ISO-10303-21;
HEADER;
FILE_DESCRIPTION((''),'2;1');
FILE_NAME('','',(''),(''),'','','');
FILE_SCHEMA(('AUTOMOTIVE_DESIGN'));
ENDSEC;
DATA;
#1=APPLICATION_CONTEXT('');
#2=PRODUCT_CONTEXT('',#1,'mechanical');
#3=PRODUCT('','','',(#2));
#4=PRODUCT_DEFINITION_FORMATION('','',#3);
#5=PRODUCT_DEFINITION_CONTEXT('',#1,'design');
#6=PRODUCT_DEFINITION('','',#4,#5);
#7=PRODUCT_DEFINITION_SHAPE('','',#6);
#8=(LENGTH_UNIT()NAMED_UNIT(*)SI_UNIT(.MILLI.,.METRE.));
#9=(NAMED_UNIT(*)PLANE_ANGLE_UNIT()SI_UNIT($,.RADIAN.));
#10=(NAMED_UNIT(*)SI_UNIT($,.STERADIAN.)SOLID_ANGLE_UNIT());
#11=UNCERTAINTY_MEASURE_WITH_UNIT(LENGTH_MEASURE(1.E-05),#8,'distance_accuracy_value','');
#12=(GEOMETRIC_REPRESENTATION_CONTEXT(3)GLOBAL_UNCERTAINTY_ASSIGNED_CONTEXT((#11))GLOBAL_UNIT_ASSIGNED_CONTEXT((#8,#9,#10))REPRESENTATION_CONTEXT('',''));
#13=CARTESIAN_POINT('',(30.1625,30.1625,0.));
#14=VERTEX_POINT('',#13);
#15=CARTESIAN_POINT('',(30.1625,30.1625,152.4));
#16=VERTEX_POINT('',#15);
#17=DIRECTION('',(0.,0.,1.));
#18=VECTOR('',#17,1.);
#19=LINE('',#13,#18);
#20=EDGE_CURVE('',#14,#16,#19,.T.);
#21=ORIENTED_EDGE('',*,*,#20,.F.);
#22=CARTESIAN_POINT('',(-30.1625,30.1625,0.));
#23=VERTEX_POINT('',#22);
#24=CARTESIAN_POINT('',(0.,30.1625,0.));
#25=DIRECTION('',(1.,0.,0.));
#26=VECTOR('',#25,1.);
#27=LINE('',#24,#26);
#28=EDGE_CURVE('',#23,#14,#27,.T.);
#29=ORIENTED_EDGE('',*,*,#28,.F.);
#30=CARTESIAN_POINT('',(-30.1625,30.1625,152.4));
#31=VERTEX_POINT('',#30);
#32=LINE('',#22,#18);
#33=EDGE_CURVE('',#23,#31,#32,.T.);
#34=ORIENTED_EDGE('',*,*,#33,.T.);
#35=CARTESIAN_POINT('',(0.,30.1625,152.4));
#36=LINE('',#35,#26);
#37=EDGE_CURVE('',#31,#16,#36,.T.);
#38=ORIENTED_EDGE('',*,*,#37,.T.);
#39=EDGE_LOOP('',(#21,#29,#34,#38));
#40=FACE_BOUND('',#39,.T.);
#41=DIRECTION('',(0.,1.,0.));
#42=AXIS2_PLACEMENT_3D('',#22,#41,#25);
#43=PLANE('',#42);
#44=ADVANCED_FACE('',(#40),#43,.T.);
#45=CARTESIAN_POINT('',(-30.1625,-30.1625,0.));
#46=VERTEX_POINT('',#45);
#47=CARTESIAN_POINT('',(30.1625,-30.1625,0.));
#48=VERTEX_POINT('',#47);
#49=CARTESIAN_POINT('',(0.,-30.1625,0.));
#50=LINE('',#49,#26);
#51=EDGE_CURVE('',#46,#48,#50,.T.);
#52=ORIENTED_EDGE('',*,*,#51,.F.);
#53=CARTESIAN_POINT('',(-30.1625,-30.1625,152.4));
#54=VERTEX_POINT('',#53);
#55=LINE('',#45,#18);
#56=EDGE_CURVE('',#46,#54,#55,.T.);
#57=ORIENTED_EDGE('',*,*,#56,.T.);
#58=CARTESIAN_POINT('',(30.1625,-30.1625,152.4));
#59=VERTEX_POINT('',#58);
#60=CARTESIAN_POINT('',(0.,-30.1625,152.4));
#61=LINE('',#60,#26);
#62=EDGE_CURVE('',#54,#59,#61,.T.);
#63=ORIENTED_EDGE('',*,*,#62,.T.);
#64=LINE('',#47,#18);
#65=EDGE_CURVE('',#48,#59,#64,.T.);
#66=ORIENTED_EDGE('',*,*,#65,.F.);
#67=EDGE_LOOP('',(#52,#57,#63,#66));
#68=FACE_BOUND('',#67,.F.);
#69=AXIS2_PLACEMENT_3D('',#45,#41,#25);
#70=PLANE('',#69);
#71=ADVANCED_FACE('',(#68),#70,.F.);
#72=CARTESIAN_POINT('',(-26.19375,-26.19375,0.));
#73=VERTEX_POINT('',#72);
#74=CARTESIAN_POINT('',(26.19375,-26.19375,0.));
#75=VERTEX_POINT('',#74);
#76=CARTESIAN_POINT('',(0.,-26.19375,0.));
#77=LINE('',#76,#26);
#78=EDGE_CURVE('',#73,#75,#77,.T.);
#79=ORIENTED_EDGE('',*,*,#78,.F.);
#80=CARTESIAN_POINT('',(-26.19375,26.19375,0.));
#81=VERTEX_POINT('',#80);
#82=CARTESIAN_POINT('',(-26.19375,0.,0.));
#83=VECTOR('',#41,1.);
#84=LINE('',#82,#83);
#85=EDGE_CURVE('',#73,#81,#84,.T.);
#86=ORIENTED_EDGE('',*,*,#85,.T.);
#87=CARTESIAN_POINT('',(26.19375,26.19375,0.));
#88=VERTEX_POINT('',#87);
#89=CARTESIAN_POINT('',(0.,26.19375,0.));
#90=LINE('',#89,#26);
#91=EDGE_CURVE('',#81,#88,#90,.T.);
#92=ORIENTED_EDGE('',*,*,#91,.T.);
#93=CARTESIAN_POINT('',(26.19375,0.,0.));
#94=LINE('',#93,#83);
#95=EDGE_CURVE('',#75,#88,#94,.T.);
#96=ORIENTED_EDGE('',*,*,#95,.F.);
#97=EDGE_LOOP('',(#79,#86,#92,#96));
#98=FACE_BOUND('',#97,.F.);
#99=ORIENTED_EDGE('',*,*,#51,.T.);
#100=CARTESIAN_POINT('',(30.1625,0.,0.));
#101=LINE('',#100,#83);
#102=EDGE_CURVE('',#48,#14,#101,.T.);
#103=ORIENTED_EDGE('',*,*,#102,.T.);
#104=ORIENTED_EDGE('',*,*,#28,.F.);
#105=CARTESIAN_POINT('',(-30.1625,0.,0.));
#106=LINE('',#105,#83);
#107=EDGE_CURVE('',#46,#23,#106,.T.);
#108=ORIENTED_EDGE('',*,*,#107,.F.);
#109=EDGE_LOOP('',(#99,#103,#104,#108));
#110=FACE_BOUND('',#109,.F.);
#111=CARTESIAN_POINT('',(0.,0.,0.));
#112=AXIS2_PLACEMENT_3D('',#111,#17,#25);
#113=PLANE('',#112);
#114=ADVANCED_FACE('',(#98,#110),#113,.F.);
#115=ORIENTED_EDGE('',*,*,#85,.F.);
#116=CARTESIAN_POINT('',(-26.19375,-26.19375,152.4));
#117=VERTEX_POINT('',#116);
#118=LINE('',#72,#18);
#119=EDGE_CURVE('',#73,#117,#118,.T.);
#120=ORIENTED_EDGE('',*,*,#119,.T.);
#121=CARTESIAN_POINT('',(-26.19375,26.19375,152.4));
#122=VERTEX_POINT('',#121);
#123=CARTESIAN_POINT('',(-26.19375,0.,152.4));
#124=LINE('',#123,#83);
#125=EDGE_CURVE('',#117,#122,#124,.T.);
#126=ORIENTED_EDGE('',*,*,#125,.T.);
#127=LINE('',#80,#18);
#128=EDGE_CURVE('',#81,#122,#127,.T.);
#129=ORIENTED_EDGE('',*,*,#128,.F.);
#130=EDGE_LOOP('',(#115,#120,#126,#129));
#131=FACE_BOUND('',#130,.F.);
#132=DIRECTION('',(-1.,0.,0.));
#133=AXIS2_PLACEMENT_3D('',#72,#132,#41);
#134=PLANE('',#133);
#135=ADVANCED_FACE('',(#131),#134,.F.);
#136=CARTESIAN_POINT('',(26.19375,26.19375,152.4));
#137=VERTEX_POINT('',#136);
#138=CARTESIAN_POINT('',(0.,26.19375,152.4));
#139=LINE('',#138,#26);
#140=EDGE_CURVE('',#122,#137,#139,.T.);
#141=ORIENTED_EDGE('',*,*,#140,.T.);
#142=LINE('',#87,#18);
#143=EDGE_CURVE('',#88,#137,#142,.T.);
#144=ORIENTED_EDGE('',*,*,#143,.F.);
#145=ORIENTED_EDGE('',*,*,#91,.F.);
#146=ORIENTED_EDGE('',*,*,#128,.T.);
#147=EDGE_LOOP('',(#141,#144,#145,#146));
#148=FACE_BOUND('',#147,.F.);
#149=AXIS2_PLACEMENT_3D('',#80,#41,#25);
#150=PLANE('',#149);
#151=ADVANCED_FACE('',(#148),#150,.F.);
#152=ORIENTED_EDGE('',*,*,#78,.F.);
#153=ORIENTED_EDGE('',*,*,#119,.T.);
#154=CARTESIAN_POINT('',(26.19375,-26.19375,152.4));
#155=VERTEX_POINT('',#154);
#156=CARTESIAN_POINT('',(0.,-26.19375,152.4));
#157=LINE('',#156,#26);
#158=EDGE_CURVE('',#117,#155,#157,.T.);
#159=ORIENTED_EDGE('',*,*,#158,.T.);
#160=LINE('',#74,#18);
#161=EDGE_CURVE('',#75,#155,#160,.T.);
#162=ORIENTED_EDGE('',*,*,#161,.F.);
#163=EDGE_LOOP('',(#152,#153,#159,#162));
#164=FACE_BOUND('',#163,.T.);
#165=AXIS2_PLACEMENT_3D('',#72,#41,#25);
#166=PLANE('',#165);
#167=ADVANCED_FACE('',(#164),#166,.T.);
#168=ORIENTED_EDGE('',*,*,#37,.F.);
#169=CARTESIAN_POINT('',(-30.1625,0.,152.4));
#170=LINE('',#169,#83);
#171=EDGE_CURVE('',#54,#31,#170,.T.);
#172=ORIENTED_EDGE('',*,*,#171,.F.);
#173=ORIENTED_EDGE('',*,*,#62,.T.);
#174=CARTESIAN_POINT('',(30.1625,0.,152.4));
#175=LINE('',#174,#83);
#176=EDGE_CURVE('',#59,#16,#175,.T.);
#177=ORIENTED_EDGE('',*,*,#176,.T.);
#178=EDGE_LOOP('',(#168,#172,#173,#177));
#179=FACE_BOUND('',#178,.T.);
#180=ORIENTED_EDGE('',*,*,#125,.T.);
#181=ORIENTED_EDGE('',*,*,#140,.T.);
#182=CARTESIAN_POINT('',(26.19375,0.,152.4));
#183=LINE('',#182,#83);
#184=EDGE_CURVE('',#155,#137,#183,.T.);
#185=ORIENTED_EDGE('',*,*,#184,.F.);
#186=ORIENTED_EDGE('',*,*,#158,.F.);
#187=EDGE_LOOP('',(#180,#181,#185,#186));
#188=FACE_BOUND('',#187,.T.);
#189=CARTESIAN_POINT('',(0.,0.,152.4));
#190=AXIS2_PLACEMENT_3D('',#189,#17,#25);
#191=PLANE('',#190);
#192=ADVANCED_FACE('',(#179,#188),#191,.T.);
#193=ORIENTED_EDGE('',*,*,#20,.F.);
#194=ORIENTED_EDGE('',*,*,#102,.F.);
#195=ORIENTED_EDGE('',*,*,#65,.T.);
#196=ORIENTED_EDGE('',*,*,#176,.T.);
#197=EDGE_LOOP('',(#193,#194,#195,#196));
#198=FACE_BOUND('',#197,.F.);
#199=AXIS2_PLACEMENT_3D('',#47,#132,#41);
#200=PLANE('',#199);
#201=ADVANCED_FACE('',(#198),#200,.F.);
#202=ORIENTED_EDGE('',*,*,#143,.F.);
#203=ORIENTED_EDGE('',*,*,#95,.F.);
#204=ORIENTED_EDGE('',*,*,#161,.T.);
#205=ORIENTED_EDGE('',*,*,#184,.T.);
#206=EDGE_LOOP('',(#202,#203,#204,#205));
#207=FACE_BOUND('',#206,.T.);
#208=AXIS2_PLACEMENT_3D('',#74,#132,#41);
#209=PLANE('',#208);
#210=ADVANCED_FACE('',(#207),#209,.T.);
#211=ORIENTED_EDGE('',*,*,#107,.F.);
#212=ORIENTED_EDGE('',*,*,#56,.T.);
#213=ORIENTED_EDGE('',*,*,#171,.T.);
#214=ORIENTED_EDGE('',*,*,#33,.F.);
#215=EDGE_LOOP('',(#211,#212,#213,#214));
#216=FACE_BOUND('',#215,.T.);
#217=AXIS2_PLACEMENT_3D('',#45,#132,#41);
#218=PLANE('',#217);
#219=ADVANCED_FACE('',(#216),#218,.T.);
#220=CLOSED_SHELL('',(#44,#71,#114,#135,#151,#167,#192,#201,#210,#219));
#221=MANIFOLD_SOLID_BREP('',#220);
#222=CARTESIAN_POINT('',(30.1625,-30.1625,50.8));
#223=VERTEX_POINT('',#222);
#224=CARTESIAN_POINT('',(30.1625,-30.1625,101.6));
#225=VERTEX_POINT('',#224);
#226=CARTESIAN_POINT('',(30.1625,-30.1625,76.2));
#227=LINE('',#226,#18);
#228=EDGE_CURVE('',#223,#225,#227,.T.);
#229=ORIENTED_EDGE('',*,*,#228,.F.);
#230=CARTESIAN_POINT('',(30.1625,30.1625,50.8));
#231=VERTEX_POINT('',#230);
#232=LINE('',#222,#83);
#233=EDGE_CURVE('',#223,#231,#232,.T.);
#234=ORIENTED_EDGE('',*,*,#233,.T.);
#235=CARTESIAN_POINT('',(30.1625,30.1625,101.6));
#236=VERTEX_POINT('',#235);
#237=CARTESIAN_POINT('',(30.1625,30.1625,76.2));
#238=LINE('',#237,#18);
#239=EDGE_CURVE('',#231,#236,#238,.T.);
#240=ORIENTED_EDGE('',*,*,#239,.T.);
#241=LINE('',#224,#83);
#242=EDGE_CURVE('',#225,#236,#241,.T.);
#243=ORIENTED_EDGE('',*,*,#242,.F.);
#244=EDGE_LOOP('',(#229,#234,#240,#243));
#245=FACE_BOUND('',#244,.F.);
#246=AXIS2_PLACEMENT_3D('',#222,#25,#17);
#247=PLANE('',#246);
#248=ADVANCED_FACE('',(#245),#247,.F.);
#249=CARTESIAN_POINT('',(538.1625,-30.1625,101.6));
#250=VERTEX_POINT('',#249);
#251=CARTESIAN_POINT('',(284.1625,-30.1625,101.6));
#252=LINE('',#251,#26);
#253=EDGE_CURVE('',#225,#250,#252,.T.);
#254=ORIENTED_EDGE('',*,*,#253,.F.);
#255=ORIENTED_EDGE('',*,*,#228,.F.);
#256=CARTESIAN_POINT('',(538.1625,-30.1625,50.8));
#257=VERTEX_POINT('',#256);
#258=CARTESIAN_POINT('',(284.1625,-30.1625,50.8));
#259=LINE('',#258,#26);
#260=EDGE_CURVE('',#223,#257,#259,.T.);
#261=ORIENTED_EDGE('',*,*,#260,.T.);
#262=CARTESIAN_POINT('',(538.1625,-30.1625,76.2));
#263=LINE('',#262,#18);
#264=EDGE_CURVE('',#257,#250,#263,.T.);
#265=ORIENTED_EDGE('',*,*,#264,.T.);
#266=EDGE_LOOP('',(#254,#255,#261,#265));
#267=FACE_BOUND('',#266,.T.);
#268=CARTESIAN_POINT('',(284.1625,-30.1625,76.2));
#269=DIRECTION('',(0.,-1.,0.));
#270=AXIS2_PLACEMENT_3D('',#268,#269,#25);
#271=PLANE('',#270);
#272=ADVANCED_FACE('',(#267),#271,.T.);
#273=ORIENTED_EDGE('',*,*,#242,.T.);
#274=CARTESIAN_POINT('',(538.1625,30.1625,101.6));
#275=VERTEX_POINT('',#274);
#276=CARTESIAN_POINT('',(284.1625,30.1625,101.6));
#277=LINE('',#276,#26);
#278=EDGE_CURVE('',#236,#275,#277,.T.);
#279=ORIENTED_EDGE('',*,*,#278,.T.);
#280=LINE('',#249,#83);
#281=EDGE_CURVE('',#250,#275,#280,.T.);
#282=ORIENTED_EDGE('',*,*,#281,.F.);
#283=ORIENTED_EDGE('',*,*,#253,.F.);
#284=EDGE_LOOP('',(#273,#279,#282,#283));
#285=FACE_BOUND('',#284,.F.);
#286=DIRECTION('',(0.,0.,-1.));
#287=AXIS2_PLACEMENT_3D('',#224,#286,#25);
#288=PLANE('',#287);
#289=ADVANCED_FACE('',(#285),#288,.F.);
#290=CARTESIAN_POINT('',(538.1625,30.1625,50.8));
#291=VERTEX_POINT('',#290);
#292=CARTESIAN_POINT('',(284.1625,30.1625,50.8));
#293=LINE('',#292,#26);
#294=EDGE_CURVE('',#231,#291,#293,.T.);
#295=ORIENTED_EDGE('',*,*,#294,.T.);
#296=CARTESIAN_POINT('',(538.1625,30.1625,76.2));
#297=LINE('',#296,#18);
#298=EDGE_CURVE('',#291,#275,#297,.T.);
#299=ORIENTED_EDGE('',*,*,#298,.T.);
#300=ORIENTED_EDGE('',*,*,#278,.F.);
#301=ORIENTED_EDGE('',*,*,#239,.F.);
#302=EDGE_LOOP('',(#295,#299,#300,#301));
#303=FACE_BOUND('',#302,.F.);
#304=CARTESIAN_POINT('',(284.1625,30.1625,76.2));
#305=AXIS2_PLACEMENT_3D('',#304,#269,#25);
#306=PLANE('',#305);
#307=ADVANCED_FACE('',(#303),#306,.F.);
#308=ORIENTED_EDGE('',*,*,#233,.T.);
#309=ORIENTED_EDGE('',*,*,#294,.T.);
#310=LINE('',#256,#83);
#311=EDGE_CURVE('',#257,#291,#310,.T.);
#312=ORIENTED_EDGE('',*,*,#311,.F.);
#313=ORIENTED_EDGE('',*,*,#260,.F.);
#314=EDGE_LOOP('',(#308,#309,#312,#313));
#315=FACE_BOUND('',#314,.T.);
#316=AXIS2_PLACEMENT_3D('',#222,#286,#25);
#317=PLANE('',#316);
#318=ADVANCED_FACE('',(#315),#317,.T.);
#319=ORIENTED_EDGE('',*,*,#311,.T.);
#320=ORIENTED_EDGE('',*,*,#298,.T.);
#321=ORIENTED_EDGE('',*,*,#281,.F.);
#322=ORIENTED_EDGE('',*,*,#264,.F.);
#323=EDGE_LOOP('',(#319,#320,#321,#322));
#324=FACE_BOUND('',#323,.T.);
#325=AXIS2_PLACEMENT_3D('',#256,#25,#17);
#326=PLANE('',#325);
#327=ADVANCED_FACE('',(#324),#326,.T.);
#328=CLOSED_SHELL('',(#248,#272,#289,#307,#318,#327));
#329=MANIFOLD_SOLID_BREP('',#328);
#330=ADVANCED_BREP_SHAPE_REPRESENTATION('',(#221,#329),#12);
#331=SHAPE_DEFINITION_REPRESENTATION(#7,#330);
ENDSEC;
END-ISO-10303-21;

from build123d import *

# Parameters (mm, degrees)
F0_W     = 60.325
F0_H     = 60.325
F0_W_2   = 52.3875
F0_H_2   = 52.3875
F1_DEPTH = 152.4
F2_W     = 508
F2_H     = 50.8
F3_DEPTH = 60.325


with BuildPart() as f1:
    # F0 (on Top) → F1 (new body)
    with BuildSketch(Plane.XY):
        Rectangle(F0_W, F0_H)
        Rectangle(F0_W_2, F0_H_2, mode=Mode.SUBTRACT)
    extrude(amount=F1_DEPTH)


with BuildPart() as f3:
    # F2 (on face) → F3 (new body)
    with BuildSketch(Plane.XZ.offset(30.1625)):
        with Locations((284.1625, 76.2)):
            Rectangle(F2_W, F2_H)
    extrude(amount=-F3_DEPTH)


solid = Compound([f1.part, f3.part])
